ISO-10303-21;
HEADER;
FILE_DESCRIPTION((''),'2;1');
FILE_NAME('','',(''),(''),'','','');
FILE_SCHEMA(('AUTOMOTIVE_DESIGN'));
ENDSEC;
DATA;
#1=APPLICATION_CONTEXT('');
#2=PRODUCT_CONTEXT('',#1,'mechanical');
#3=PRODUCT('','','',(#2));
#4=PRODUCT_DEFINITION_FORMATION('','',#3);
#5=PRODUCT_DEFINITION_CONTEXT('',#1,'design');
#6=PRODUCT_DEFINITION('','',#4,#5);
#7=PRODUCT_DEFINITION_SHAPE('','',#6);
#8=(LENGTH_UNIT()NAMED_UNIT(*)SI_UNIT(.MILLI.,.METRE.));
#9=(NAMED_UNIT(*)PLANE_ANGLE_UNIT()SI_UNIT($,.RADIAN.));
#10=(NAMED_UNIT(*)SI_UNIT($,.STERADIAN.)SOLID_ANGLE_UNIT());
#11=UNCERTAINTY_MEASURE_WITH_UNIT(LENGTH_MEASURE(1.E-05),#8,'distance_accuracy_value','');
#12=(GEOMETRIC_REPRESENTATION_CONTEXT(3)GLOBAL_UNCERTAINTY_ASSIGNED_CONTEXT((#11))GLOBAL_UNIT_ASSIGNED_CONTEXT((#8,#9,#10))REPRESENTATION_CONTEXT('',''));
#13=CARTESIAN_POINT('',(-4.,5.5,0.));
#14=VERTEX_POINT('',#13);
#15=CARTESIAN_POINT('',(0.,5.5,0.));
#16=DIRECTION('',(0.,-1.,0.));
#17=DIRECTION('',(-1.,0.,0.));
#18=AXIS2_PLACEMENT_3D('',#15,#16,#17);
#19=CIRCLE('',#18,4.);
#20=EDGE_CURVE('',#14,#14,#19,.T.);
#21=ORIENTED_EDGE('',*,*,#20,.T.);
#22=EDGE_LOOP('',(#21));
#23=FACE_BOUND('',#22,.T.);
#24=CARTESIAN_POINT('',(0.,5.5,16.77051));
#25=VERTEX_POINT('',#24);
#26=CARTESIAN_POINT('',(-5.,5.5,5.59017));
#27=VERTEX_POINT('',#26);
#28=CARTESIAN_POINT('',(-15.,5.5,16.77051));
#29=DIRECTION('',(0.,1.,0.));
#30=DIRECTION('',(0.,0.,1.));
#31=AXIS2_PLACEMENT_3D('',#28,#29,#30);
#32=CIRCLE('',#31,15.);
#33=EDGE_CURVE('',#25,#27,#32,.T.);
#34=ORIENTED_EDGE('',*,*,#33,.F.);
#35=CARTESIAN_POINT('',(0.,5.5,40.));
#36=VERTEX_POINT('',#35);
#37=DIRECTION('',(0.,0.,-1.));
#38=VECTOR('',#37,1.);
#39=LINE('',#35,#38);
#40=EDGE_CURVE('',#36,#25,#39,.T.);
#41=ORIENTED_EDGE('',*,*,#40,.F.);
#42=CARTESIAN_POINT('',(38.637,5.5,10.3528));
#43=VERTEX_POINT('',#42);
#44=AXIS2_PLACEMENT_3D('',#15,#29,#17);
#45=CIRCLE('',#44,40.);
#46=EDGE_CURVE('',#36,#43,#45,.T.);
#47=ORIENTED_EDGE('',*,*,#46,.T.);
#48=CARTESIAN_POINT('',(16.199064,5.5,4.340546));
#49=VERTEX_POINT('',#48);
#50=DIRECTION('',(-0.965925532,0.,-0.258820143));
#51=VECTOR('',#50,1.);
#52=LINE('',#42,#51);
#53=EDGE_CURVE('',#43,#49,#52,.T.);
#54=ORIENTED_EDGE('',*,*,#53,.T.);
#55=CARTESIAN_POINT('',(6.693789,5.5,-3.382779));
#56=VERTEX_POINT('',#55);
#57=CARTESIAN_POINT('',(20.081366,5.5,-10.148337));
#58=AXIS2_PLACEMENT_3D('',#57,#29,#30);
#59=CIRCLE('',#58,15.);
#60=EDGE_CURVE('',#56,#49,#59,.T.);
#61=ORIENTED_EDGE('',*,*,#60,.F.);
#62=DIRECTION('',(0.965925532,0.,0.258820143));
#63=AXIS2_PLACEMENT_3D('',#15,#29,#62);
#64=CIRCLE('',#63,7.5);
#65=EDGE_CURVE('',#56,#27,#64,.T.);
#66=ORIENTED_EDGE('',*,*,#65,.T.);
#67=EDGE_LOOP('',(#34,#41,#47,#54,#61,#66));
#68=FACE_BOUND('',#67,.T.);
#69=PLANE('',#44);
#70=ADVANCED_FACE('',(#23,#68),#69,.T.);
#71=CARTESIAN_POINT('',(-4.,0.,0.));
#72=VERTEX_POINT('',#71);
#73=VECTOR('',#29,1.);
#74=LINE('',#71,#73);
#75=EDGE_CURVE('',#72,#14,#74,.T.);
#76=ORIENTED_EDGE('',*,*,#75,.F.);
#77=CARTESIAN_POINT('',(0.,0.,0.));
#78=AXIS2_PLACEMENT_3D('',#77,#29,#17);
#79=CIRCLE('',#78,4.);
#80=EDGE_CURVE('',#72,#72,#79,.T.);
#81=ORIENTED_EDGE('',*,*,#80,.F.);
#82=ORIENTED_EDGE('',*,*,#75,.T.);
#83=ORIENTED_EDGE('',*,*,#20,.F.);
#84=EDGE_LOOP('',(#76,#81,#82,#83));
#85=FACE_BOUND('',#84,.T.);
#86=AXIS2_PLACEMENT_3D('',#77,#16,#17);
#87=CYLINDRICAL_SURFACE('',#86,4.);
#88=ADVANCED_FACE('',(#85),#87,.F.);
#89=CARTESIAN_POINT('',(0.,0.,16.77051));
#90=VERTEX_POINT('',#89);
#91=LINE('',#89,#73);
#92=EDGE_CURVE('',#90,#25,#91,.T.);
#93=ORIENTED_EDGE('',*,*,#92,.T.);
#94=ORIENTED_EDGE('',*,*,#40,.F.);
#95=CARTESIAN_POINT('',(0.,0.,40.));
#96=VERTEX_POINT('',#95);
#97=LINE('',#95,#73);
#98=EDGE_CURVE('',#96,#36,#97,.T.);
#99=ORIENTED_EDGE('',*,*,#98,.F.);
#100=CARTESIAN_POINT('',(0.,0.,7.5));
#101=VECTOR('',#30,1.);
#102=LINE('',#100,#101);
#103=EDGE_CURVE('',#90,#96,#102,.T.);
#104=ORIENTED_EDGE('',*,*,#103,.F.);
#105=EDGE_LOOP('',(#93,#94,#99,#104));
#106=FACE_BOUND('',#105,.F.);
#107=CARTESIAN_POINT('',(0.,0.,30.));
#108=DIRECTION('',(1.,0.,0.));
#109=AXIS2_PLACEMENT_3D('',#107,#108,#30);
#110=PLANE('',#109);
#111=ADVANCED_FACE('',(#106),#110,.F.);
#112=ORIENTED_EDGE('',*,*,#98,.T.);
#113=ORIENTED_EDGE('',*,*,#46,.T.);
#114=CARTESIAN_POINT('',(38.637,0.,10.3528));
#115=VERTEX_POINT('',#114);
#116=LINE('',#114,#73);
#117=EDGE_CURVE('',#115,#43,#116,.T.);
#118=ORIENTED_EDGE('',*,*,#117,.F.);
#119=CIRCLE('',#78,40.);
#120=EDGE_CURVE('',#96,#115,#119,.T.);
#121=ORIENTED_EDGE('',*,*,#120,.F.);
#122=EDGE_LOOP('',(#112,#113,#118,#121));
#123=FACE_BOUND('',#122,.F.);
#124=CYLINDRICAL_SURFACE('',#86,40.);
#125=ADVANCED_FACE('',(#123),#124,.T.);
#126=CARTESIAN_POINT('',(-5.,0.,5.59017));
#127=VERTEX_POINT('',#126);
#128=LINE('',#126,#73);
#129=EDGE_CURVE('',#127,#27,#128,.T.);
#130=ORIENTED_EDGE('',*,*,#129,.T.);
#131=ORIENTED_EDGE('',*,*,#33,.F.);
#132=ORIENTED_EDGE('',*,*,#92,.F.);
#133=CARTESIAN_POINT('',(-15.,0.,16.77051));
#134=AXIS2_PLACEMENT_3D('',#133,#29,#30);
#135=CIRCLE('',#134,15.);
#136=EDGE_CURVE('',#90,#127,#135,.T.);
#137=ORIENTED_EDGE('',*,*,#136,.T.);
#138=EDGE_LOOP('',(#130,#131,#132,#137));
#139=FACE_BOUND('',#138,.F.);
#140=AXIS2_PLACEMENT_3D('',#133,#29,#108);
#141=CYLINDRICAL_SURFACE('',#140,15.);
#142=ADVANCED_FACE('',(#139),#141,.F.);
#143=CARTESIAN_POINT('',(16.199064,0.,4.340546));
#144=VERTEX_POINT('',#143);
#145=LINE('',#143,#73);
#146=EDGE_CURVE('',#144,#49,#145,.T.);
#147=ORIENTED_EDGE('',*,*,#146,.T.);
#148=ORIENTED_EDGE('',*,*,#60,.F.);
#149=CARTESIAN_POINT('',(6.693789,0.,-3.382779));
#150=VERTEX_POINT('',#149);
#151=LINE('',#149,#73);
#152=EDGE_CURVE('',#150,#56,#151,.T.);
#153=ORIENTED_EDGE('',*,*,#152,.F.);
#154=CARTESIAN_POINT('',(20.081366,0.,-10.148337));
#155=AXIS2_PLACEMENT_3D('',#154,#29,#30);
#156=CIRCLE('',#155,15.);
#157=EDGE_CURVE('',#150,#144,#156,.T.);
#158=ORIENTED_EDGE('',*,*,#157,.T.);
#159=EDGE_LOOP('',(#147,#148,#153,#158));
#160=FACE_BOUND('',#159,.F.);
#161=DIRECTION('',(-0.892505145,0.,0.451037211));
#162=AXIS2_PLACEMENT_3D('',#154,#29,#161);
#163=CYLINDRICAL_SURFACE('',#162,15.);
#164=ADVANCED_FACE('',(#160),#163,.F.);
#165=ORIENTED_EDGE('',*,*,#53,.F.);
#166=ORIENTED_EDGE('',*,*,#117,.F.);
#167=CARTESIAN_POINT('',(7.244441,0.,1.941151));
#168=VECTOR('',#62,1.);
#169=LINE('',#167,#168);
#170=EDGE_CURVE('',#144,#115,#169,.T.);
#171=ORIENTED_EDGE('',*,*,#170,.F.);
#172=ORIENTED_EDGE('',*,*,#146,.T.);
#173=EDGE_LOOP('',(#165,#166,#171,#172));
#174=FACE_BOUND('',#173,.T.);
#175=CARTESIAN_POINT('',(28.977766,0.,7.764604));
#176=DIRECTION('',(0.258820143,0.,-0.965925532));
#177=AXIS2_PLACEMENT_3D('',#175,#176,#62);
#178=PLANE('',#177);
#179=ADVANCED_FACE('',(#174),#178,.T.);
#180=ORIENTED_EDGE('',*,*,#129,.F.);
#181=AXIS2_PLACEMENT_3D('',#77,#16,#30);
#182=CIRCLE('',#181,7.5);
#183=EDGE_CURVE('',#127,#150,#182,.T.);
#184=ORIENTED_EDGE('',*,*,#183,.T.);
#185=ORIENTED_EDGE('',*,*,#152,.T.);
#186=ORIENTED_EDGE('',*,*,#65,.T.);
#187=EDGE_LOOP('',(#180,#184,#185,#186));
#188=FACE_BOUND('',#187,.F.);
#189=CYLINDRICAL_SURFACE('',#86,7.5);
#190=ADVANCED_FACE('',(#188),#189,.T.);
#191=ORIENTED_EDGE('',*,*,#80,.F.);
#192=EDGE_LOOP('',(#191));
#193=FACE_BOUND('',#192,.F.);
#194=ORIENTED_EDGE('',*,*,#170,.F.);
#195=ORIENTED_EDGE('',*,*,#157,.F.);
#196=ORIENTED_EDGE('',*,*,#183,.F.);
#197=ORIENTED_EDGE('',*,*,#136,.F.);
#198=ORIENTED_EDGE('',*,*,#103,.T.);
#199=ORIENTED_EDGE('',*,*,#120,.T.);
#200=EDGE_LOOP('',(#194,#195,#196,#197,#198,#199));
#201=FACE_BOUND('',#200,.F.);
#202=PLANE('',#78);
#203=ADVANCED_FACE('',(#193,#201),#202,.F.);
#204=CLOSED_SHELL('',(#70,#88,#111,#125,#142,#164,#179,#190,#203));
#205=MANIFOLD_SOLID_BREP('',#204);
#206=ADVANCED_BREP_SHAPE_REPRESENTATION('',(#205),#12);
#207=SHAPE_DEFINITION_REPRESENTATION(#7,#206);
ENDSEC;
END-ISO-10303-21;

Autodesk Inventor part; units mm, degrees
ref_plane "YZ Plane" through (0, 0, 0) normal (1, 0, 0) x (0, 1, 0)
ref_plane "XZ Plane" through (0, 0, 0) normal (0, 1, 0) x (-1, 0, 0)
ref_plane "XY Plane" through (0, 0, 0) normal (0, 0, 1) x (1, 0, 0)
sketch "スケッチ1" plane through (0, 0, 0) normal (0, 1, 0) x (-1, 0, 0)
  circle A0 centre (0, 0) radius 40
  circle A1 centre (0, 0) radius 30
  line L0 (0, 0) -> (0, 40)
  line L1 (0, 0) -> (-38.637, 10.3528)
  circle A2 centre (0, 0) radius 4
  circle A3 centre (0, 0) radius 7.5
  point P0 (-28.9778, 7.7646)
  point P1 (0, 30)
  point P2 (0, 7.5)
  point P3 (-7.2444, 1.9411)
  dimension "d0" = 60
  dimension "d1" = 10
  dimension "d2" = 75
  dimension "d5" = 8
  dimension "d6" = 15
extrude "押し出し1" add sketch "スケッチ1" along normal blind 5.5 contours L0 A1 L1 A0 | L0 A3 L1 A1 | A3 L1 A2 L0 | L0 A2 L1 A3 picked at (-10.6852, 34.8643) picked at (-2.1644, 22.263)
fillet "フィレット1" radius 15 2 edges at (7.2444, 2.75, 1.9411) (0, 2.75, 7.5)
properties part number "gear_plate_cover_4" material "木材 (カエデ材)"
